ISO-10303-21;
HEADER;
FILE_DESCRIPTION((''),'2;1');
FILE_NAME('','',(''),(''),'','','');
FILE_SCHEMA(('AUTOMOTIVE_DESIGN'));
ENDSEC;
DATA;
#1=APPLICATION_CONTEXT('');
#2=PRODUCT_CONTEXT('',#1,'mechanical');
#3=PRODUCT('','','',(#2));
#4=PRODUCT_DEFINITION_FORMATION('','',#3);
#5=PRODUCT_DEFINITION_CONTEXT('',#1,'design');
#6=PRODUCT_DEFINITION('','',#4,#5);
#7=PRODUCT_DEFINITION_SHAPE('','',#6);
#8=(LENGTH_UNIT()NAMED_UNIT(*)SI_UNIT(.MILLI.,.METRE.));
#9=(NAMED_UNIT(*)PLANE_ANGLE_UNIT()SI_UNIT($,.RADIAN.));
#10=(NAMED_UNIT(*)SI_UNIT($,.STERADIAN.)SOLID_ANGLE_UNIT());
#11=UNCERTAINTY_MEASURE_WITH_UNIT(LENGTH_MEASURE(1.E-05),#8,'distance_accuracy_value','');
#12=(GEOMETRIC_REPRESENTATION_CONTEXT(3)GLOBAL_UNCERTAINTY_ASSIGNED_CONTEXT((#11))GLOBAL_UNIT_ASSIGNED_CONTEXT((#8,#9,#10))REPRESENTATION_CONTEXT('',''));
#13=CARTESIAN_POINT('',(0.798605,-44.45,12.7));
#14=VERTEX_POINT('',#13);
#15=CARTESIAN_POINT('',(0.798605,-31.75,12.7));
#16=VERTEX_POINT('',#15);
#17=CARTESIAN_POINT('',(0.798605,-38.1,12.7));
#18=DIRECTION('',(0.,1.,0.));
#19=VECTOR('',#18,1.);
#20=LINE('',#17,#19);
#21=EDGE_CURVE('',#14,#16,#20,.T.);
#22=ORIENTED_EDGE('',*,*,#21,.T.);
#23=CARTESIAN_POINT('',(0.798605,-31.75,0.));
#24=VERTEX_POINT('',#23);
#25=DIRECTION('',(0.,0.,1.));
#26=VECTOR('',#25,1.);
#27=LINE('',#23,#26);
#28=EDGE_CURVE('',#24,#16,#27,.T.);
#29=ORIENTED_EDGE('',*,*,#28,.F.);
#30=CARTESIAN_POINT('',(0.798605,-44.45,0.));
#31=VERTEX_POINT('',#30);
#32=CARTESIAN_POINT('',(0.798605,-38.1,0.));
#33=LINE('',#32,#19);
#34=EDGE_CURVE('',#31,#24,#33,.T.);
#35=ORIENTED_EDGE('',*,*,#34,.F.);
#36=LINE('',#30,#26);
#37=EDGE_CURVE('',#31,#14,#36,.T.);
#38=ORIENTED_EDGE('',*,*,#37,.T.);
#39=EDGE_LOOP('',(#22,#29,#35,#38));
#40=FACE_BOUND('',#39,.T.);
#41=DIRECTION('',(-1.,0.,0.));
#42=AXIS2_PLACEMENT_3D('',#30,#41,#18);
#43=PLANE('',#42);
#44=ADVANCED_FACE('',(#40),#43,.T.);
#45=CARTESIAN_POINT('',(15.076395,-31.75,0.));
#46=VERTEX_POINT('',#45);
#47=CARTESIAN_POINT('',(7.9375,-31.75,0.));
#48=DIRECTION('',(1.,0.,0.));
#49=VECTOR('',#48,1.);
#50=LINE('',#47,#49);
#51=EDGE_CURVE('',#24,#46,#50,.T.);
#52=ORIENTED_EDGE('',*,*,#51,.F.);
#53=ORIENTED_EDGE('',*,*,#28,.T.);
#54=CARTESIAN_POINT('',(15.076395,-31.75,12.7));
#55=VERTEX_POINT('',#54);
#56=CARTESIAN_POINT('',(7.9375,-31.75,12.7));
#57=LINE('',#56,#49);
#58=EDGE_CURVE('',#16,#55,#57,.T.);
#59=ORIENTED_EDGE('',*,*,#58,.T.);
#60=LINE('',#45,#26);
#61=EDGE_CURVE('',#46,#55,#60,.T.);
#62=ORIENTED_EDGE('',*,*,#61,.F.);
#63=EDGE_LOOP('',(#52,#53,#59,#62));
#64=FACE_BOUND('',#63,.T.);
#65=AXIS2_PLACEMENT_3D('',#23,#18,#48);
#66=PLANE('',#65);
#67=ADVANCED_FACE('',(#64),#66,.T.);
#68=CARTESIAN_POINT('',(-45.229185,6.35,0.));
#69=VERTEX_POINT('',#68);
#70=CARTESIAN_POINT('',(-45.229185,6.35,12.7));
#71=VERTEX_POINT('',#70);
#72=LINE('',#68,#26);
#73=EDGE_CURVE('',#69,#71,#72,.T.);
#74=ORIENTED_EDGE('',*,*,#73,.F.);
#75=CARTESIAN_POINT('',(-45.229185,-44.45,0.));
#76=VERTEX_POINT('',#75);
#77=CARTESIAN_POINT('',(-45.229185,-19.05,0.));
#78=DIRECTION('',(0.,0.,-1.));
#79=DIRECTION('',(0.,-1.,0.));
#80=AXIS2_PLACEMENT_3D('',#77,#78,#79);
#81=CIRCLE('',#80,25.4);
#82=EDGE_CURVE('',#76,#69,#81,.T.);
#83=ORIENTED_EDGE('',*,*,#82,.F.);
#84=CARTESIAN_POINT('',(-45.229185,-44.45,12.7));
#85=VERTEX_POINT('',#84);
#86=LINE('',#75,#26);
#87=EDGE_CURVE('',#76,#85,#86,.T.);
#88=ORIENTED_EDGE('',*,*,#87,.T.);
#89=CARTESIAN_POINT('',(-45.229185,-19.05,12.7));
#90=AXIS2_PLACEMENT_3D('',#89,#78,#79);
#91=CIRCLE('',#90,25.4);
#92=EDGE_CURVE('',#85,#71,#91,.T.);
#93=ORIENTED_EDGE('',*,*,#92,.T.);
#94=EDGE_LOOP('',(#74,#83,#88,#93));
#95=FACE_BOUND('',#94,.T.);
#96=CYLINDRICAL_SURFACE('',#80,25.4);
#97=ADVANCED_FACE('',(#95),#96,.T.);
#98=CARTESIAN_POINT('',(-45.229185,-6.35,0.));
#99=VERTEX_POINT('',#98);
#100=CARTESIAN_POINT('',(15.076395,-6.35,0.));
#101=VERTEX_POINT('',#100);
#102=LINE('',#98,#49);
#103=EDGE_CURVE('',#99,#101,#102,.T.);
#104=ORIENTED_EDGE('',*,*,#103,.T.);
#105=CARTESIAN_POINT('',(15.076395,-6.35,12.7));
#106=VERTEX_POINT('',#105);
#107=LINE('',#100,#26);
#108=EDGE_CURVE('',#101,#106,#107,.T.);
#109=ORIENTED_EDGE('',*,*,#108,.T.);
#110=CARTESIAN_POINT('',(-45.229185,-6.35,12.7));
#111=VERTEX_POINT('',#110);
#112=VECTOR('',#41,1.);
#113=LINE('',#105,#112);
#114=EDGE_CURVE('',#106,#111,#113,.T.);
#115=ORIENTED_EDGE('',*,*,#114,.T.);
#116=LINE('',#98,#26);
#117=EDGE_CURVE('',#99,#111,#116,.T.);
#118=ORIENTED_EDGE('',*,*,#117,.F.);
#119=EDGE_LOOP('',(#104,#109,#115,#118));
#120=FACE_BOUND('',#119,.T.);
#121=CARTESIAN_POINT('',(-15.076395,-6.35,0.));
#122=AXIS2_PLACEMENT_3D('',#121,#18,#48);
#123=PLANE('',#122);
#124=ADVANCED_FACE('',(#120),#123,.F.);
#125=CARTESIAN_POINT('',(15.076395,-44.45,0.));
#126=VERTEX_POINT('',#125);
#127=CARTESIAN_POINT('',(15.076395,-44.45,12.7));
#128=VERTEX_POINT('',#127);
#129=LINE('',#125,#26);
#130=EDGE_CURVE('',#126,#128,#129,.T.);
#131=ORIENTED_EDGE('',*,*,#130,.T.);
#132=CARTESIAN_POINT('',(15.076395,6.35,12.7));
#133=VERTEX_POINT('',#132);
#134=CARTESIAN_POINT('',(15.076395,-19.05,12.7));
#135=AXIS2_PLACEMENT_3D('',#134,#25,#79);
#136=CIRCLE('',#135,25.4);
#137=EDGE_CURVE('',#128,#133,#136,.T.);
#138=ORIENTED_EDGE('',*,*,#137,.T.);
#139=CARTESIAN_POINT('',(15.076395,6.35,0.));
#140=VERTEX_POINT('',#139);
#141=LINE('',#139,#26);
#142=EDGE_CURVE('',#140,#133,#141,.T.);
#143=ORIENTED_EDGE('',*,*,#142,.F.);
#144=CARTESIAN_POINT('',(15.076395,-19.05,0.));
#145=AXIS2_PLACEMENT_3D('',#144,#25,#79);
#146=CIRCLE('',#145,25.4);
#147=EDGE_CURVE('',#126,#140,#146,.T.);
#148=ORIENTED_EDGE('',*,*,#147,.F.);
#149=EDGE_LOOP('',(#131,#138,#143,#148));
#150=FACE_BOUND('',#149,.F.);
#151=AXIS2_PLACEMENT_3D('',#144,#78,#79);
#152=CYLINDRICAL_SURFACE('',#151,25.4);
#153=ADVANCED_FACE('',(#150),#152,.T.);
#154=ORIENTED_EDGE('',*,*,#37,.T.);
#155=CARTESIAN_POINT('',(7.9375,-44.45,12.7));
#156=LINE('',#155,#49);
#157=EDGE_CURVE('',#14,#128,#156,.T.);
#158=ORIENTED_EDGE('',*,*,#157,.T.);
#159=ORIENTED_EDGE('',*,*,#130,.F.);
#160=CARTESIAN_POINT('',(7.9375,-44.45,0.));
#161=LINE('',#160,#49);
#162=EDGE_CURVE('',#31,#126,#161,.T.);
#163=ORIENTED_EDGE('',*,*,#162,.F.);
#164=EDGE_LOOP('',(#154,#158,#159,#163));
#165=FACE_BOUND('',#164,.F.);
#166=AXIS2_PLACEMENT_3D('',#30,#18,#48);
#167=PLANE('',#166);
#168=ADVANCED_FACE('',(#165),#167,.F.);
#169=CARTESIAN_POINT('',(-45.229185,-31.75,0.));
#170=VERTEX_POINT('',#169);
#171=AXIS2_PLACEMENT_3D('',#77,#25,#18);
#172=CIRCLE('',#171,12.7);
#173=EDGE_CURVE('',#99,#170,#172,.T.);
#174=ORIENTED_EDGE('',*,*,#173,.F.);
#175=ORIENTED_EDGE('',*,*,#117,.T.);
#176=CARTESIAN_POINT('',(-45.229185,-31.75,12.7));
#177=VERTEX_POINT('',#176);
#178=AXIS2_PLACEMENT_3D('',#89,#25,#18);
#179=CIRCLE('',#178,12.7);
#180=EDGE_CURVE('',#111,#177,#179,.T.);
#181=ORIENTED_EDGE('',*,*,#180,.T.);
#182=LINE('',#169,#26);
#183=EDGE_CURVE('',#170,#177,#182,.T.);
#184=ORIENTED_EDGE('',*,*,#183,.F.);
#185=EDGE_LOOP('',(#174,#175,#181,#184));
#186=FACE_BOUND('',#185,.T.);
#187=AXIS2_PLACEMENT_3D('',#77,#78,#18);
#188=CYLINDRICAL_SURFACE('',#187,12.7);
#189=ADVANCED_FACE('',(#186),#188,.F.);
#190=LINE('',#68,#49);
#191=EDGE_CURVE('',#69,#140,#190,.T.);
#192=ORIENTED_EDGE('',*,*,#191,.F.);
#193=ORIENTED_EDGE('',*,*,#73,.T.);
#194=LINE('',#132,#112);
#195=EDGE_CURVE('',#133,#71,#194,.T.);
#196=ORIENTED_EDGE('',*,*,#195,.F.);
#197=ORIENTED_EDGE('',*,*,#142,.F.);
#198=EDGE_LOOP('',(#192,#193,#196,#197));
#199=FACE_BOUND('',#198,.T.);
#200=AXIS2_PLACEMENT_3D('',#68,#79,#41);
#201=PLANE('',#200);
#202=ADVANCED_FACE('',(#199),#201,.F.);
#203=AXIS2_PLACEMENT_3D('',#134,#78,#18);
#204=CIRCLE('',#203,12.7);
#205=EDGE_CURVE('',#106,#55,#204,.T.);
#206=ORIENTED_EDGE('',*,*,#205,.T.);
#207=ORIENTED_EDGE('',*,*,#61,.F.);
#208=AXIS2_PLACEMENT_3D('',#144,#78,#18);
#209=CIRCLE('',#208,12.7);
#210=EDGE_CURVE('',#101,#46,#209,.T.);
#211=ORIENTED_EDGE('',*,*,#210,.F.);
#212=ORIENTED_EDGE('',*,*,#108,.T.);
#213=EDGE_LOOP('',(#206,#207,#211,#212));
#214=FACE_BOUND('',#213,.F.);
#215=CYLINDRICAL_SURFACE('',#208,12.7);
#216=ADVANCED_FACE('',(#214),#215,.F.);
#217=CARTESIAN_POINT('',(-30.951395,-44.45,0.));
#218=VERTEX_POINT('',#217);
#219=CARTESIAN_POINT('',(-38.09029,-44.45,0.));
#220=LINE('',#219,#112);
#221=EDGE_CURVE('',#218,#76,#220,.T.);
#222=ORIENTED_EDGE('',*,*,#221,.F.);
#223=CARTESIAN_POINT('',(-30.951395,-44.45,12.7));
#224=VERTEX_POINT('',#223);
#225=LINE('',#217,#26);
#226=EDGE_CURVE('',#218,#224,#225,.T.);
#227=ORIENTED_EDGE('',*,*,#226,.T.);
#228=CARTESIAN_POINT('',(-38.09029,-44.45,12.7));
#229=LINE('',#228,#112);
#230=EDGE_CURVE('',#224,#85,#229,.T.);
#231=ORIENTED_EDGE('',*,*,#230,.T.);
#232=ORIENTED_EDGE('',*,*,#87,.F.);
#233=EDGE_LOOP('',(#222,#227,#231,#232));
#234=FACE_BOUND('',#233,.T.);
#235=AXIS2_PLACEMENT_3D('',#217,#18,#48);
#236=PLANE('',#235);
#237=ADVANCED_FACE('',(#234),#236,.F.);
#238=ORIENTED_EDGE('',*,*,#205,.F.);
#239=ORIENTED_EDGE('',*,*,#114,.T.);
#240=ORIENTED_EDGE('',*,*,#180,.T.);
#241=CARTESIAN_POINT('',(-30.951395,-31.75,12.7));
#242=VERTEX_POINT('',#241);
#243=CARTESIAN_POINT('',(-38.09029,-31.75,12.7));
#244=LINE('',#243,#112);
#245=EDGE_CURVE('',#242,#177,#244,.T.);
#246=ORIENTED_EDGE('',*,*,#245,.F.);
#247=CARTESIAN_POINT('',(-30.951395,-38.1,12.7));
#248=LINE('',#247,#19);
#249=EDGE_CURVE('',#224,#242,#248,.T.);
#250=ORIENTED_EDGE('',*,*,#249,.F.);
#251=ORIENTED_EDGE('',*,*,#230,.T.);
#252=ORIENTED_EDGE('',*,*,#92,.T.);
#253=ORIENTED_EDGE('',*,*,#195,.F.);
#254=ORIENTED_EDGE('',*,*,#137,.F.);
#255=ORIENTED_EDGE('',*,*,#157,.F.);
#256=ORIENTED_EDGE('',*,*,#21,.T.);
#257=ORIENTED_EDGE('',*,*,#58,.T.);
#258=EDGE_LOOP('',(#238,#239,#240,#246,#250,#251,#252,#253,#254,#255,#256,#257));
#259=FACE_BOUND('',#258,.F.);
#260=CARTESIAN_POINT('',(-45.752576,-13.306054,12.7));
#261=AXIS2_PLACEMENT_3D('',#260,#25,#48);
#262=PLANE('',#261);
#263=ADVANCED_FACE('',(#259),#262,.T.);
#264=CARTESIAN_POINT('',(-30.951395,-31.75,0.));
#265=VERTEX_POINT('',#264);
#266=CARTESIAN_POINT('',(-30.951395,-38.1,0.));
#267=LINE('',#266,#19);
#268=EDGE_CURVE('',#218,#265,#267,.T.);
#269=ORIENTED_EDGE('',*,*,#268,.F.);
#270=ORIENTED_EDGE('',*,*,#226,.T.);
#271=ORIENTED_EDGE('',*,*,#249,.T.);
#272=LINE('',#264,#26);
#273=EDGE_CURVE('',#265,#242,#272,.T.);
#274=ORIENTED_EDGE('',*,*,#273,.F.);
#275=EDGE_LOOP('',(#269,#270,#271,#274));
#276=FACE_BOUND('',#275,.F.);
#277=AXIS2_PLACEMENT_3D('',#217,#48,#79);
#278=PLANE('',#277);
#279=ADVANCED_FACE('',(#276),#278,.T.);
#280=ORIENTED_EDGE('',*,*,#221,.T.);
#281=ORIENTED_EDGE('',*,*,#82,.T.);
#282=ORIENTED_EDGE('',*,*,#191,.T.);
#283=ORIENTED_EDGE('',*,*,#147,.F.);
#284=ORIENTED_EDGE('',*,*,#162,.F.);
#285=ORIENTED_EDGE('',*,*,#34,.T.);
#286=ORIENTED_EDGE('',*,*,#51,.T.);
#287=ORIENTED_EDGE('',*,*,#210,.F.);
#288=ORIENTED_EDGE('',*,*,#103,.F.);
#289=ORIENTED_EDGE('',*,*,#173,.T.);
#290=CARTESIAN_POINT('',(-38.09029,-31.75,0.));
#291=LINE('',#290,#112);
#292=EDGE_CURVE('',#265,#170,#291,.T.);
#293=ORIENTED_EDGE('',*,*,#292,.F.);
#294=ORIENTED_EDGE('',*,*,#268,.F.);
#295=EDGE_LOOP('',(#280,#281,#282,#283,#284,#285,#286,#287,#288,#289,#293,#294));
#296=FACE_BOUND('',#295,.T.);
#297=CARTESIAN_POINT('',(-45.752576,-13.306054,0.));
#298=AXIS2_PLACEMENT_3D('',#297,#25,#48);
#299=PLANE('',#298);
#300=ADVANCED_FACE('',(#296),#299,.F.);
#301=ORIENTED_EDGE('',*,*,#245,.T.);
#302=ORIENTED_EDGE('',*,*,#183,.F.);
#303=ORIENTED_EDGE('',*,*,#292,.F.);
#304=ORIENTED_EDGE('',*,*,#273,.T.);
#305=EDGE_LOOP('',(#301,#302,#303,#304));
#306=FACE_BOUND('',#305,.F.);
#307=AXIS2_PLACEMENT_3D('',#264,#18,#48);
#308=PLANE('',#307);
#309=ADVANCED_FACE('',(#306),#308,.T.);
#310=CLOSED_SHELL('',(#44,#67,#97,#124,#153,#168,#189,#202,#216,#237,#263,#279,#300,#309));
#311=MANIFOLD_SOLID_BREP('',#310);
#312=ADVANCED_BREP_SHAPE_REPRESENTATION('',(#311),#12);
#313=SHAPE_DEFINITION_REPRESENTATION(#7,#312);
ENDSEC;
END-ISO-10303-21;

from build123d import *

# Parameters (mm, degrees)
F0_W     = 14.27779
F0_H     = 12.7
F1_DEPTH = 12.7


with BuildPart() as f1:
    # F0 (on Top) → F1 (new body)
    with BuildSketch(Plane.XY):
        with BuildLine():
            Line((-15.076395, -6.35), (15.076395, -6.35))
            ThreePointArc((15.076395, -6.35), (27.776395, -19.05), (15.076395, -31.75))
            Line((15.076395, -31.75), (15.076395, -44.45))
            ThreePointArc((15.076395, -44.45), (40.476395, -19.05), (15.076395, 6.35))
            Line((15.076395, 6.35), (-15.076395, 6.35))
            Line((-15.076395, 6.35), (-15.076395, -6.35))
        make_face()
        with Locations((7.9375, -38.1)):
            Rectangle(F0_W, F0_H)
    extrude(amount=F1_DEPTH)

    # F2: F1 across face


with BuildPart() as f1_1:
    add(f1.part)
    add(f1.part.mirror(Plane(origin=(-15.076395, 0, 6.35), x_dir=(0, -1, 0), z_dir=(-1, 0, 0))))


solid = f1_1.part
